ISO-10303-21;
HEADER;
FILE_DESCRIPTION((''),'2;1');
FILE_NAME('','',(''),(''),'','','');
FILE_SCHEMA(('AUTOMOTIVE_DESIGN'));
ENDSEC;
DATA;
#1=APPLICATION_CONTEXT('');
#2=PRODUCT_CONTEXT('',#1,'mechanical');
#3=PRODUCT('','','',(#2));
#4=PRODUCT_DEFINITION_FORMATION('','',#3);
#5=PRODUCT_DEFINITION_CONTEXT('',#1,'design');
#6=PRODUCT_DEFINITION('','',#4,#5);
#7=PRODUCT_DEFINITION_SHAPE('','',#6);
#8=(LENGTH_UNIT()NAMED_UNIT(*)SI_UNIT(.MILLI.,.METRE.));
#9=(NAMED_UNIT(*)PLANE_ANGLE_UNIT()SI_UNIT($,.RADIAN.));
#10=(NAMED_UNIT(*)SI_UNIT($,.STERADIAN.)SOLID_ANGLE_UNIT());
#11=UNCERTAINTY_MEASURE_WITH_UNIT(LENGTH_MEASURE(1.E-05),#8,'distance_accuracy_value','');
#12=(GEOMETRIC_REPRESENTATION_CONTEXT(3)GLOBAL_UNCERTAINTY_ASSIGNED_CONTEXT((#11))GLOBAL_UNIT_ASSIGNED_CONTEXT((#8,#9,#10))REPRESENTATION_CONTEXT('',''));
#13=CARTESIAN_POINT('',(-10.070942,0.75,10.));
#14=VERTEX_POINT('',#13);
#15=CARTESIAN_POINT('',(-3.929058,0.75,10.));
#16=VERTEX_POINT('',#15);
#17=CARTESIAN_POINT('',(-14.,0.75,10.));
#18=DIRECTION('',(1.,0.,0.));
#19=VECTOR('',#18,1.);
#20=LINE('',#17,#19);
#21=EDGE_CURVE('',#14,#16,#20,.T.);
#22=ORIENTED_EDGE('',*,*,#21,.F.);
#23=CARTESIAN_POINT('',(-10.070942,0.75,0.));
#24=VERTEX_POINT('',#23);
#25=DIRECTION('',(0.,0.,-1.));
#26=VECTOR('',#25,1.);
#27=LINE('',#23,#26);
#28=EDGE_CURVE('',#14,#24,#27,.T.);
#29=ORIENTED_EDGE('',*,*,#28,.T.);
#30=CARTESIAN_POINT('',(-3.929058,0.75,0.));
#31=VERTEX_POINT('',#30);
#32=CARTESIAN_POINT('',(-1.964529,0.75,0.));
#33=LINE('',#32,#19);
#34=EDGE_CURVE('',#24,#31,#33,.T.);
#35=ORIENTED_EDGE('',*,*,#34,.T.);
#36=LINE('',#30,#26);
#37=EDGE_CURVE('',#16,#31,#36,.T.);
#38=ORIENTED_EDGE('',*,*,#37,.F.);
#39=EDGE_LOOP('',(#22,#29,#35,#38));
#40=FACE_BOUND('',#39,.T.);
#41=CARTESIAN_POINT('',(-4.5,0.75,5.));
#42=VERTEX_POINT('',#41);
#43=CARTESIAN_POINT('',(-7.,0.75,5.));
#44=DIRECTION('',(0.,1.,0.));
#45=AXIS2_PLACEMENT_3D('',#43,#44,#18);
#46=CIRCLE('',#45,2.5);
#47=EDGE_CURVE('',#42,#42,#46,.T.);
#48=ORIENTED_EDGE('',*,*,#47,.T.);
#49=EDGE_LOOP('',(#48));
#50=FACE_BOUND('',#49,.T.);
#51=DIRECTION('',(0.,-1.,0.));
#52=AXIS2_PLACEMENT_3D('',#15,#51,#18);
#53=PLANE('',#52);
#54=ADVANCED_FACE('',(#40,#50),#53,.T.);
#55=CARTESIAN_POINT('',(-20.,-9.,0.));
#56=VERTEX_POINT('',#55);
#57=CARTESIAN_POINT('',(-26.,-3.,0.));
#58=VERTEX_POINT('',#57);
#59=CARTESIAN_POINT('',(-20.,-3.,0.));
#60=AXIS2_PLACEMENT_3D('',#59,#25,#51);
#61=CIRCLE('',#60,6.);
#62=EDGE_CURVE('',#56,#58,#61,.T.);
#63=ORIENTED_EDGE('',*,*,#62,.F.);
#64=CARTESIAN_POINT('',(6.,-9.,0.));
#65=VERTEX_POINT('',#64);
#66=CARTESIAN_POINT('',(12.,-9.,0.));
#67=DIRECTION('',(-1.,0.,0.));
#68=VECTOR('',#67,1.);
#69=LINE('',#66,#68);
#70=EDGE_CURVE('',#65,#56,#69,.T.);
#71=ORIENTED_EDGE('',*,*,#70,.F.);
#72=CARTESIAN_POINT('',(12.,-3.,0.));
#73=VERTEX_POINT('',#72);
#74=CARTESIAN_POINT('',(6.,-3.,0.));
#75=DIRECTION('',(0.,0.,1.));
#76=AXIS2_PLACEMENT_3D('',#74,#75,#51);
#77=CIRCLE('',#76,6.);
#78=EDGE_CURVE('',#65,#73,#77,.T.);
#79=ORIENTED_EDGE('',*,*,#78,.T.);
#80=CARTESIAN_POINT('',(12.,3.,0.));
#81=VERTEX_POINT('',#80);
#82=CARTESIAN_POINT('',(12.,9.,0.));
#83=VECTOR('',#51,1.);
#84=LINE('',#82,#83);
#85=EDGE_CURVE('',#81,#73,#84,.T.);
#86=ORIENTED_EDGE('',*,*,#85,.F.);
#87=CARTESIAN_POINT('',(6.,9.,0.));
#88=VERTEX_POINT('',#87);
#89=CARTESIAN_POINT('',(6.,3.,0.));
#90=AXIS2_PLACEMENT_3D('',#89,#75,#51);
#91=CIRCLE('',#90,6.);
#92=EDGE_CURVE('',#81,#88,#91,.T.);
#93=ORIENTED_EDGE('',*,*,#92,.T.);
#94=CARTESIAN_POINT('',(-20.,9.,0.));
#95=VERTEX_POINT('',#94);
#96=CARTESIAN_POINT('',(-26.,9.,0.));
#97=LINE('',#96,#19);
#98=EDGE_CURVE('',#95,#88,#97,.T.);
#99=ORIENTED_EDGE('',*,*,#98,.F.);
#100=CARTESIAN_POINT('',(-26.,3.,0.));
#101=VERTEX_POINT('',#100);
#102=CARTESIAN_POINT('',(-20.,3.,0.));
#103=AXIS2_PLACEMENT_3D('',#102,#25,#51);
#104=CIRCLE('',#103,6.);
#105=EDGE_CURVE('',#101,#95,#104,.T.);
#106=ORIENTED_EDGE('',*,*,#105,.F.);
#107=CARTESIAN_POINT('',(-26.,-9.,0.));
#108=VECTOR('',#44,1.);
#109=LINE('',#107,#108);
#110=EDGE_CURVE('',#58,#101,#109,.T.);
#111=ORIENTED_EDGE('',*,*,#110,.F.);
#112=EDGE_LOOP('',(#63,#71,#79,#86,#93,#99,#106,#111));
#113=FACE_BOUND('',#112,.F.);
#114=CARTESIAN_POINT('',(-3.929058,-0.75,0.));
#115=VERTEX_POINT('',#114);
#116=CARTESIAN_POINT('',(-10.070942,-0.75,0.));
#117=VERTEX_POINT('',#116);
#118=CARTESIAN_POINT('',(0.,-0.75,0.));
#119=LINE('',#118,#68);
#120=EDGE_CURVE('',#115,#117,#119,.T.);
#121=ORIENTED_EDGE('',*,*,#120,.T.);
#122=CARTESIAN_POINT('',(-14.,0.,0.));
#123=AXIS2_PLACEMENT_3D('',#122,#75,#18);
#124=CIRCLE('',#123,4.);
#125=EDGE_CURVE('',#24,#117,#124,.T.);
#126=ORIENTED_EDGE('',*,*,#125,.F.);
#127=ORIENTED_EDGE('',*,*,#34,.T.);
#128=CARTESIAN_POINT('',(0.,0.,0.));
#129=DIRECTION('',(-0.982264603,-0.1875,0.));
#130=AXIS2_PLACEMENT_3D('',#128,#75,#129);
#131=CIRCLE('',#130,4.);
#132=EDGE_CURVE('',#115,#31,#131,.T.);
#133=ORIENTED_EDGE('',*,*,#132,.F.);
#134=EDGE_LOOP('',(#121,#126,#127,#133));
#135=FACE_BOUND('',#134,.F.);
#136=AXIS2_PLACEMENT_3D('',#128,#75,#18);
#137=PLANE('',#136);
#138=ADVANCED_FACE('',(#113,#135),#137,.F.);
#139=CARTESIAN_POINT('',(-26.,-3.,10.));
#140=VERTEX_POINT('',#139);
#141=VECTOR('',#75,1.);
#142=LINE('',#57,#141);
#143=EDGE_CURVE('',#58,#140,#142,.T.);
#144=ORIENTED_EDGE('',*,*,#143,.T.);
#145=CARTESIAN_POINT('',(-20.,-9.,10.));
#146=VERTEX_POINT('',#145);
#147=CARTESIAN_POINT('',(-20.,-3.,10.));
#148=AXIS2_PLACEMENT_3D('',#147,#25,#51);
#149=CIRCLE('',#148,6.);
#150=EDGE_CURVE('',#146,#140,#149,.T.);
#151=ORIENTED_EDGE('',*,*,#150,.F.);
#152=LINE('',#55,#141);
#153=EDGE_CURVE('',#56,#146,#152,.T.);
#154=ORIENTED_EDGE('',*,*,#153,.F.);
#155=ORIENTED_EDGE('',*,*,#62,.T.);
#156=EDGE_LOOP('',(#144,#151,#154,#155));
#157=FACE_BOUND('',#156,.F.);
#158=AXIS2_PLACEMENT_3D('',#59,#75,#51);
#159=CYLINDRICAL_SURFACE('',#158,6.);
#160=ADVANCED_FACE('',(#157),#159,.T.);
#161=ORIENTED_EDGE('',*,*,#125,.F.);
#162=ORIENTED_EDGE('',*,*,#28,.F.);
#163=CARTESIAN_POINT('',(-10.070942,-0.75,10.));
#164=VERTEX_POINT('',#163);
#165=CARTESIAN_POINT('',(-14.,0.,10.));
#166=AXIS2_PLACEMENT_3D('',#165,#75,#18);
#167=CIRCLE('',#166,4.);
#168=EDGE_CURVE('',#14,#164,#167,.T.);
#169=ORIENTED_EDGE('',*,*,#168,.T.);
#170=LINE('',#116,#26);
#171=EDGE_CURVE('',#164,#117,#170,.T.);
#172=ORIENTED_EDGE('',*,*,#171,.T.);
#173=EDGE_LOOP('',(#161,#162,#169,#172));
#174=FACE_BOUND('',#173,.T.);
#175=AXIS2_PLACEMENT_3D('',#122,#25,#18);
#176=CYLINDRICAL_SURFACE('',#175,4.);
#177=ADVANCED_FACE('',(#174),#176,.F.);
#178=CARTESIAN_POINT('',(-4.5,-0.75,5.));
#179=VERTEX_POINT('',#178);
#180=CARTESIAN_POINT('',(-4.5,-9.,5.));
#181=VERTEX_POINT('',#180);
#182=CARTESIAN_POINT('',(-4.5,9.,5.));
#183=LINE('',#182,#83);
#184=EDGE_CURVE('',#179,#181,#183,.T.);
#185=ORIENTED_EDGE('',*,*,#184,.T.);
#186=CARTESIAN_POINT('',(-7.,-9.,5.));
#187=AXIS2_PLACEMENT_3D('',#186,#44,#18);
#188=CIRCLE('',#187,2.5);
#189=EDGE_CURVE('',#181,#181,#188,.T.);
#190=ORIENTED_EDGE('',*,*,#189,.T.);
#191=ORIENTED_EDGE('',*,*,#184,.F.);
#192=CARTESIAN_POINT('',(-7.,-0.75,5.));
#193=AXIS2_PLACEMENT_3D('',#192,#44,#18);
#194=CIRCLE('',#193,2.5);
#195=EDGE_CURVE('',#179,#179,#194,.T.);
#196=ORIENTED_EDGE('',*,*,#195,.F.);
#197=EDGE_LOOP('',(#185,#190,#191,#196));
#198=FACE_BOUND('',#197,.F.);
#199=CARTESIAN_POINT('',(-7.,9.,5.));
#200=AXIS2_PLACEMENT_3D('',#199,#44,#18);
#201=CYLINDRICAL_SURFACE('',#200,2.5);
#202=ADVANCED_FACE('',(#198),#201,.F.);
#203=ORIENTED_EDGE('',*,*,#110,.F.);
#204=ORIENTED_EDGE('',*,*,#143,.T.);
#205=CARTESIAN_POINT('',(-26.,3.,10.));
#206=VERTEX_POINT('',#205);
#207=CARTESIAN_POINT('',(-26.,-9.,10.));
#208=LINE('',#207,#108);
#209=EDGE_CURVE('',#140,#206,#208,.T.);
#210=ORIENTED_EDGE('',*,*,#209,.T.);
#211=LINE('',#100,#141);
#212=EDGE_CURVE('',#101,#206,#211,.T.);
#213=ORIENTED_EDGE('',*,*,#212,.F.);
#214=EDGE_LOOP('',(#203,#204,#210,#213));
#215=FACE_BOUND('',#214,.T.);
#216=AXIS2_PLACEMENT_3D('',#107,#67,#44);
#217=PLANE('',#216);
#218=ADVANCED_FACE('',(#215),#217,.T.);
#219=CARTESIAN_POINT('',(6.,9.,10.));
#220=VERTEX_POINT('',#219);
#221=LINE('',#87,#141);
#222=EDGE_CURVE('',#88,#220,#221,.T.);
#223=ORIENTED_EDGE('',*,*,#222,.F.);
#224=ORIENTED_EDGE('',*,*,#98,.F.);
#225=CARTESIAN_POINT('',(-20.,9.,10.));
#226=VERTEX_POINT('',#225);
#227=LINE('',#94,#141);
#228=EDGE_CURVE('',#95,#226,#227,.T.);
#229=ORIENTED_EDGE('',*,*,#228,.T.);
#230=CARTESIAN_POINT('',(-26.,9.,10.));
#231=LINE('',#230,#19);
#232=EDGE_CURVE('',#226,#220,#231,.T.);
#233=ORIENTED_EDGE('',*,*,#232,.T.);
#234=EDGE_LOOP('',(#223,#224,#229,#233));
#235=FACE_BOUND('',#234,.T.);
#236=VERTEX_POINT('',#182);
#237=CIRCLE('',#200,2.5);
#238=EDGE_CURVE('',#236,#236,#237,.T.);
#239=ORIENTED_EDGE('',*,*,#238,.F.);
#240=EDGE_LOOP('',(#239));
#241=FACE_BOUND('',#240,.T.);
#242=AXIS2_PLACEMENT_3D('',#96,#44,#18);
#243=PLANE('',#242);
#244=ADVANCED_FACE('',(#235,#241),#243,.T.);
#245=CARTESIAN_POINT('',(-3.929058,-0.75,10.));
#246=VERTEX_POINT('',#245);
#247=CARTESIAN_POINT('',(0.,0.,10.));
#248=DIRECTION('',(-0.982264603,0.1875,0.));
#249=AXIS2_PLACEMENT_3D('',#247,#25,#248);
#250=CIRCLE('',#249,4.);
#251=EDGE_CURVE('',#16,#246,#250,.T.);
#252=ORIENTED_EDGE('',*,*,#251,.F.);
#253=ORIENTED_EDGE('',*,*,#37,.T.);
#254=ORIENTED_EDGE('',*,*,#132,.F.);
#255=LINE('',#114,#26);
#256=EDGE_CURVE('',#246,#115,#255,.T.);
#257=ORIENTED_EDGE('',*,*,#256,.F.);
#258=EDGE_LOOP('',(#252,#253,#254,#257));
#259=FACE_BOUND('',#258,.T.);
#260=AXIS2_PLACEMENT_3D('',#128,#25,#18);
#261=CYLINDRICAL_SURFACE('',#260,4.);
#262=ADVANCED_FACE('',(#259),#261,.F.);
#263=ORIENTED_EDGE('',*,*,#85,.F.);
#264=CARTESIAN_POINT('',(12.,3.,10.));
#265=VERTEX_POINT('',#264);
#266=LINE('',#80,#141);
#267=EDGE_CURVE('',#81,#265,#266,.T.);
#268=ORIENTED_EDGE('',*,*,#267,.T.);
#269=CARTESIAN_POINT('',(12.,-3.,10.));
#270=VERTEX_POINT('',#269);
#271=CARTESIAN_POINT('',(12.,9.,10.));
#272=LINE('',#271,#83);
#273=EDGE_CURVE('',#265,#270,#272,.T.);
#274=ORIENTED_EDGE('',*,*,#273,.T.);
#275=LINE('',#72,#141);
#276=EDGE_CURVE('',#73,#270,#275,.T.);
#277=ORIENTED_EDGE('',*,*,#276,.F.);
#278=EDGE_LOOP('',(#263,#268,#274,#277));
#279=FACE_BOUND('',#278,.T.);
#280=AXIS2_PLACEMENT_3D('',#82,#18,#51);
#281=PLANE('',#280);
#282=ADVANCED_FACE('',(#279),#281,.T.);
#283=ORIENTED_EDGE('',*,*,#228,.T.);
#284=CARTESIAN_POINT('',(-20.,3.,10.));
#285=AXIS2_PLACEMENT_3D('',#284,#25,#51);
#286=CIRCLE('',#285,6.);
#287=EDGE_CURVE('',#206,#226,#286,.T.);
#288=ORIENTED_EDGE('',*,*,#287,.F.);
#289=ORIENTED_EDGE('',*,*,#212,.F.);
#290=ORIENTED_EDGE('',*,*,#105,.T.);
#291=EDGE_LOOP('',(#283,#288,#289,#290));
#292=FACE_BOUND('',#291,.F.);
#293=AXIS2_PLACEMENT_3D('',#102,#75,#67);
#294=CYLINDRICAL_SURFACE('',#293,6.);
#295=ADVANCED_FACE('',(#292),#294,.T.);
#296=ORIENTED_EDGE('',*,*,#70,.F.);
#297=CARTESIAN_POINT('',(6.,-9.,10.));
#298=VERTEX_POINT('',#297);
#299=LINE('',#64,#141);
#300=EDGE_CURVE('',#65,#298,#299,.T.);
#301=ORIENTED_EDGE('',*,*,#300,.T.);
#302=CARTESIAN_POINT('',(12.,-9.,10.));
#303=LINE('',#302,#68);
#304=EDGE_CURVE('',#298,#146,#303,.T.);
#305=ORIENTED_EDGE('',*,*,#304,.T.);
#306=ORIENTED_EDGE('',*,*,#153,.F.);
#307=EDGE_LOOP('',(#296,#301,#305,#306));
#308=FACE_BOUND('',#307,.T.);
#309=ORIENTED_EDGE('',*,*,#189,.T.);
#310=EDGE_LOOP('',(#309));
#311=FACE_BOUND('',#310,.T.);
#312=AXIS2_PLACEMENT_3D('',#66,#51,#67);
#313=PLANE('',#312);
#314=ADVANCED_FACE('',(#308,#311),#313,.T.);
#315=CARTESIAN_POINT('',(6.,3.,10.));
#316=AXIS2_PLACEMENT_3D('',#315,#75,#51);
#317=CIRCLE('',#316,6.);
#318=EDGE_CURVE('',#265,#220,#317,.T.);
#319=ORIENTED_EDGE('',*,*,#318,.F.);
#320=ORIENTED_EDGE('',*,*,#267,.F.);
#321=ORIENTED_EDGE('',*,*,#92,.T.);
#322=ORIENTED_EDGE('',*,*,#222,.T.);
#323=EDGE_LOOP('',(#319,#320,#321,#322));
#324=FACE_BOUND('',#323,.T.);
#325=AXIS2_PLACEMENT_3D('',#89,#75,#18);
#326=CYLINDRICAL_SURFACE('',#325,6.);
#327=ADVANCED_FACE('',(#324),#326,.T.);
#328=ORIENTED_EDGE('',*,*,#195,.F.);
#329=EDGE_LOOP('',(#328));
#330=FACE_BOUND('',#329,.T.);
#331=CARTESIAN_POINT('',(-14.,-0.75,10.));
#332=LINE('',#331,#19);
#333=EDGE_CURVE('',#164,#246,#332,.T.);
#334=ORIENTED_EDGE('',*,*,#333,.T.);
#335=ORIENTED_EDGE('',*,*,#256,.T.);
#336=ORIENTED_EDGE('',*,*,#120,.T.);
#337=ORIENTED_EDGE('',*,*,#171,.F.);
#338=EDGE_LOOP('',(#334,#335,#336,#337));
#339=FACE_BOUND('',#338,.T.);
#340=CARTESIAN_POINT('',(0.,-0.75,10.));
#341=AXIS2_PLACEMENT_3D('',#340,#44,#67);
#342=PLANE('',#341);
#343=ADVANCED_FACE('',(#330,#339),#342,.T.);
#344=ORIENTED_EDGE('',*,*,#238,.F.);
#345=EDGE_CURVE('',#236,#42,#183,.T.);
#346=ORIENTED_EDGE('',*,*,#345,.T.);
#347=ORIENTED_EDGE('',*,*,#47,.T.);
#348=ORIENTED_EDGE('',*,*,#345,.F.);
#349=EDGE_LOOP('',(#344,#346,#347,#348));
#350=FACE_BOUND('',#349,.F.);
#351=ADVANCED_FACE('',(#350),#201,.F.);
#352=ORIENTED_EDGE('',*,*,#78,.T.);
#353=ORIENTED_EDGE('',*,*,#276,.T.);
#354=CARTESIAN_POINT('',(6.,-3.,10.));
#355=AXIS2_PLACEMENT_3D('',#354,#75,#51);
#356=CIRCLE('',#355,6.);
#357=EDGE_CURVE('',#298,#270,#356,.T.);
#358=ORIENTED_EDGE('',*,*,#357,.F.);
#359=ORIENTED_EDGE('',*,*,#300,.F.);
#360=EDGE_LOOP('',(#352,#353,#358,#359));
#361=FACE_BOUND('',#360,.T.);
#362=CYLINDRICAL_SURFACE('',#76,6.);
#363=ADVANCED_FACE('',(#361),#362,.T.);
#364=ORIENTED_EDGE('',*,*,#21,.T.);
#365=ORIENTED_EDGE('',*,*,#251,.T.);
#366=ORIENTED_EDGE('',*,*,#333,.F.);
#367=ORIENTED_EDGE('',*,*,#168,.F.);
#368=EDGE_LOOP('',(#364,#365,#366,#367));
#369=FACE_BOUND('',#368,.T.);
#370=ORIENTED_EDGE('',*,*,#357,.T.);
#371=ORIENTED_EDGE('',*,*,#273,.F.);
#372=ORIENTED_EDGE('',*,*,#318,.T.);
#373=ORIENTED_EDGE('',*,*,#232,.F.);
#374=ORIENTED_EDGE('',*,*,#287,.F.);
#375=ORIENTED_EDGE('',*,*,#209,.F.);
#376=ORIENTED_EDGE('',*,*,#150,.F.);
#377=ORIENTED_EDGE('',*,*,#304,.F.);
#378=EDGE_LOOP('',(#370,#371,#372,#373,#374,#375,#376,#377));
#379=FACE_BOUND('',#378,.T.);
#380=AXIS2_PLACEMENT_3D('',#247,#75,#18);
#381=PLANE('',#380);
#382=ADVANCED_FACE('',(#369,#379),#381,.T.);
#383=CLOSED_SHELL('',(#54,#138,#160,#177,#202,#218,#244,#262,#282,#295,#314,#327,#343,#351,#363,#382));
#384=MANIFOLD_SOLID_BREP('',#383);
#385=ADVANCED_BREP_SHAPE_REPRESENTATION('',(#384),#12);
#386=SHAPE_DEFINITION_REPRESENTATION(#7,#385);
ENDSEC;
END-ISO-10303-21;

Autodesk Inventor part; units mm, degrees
ref_plane "YZ Plane" through (0, 0, 0) normal (1, 0, 0) x (0, 1, 0)
ref_plane "XZ Plane" through (0, 0, 0) normal (0, 1, 0) x (-1, 0, 0)
ref_plane "XY Plane" through (0, 0, 0) normal (0, 0, 1) x (1, 0, 0)
sketch "Sketch1" plane through (0, 0, 0) normal (0, 0, 1) x (1, 0, 0)
  line L0 (0, 0) -> (-14, 0) construction
  circle A0 centre (-14, 0) radius 4
  circle A1 centre (0, 0) radius 4
  line L1 (12, -9) -> (-26, -9)
  line L2 (-26, -9) -> (-26, 9)
  line L3 (-26, 9) -> (12, 9)
  line L4 (12, 9) -> (12, -9)
  line L5 (12, -9) -> (-26, 9) construction
  line L6 (-26, -9) -> (12, 9) construction
  point P0 (-7, 0)
  dimension "d0" = 8
  dimension "d1" = 14
  dimension "d2" = 12
  dimension "d3" = 18
  dimension "d13" = 38
extrude "Extrusion1" add sketch "Sketch1" along normal blind 10
sketch "Sketch2" plane through (-26, 9, 0) normal (0, 1, 0) x (1, 0, 0)
  circle A0 centre (19, -5) radius 2.5
  line L0 (19, -5) -> (0, -5) construction
  line L1 (0, 0) -> (0, -10) construction
  point P0 (26, 0)
  dimension "d6" = 5
  dimension "d17" = 19
extrude "Extrusion2" cut sketch "Sketch2" against normal through all
fillet "Fillet1" radius 6 4 edges at (12, 9, 5) (-26, 9, 5) (-26, -9, 5) (12, -9, 5)
sketch "Sketch3" plane through (0, 0, 10) normal (0, 0, 1) x (1, 0, 0)
  line L0 (-20, -9) -> (6, -9) projected
  circle A0 centre (0, 0) radius 4 projected
  circle A1 centre (-14, 0) radius 4 projected
  line L1 (-14, 0) -> (0, 0) construction
  line L2 (0, -0.75) -> (-14, -0.75)
  line L3 (-14, -0.75) -> (-14, 0.75)
  line L4 (-14, 0.75) -> (0, 0.75)
  line L5 (0, 0.75) -> (0, -0.75)
  line L6 (0, -0.75) -> (-14, 0.75) construction
  line L7 (-14, -0.75) -> (0, 0.75) construction
  point P0 (-7, 0)
  dimension "d10" = 1.5
extrude "Extrusion3" cut sketch "Sketch3" against normal through all contours L4 L5 L2 A0 | A0 L2 A1 L4 | A1 L2 L3 L4 picked at (-1.3307, -0.0838) picked at (-12.6667, 0)
sketch "Sketch4" plane through (0, 0, 10) normal (0, 0, 1) x (1, 0, 0)
  line L0 (-10.0709, 0.75) -> (-3.9291, 0.75) construction
  arc A0 (-3.9291, -0.75) -> (-3.9291, 0.75) centre (0, 0) ccw construction
  line L1 (-3.9291, -0.75) -> (-10.0709, -0.75) construction
  arc A1 (-10.0709, 0.75) -> (-10.0709, -0.75) centre (-14, 0) ccw construction
  arc A2 (6, -9) -> (12, -3) centre (6, -3) ccw construction
  line L2 (12, -3) -> (12, 3) construction
  arc A3 (12, 3) -> (6, 9) centre (6, 3) ccw construction
  line L3 (6, 9) -> (-20, 9) construction
  arc A4 (-20, 9) -> (-26, 3) centre (-20, 3) ccw construction
  line L4 (-26, 3) -> (-26, -3) construction
  arc A5 (-26, -3) -> (-20, -9) centre (-20, -3) ccw construction
  line L5 (-20, -9) -> (6, -9) construction
  line L6 (-9.2375, -4.7625) -> (-18.7625, -4.7625)
  line L7 (-18.7625, -4.7625) -> (-18.7625, 4.7625)
  line L8 (-18.7625, 4.7625) -> (-9.2375, 4.7625)
  line L9 (-9.2375, 4.7625) -> (-9.2375, -4.7625)
  line L10 (-9.2375, -4.7625) -> (-18.7625, 4.7625) construction
  line L11 (-18.7625, -4.7625) -> (-9.2375, 4.7625) construction
  dimension "d14" = 9.525
extrude "Extrusion4" [suppressed]
properties part number "crank web2"
